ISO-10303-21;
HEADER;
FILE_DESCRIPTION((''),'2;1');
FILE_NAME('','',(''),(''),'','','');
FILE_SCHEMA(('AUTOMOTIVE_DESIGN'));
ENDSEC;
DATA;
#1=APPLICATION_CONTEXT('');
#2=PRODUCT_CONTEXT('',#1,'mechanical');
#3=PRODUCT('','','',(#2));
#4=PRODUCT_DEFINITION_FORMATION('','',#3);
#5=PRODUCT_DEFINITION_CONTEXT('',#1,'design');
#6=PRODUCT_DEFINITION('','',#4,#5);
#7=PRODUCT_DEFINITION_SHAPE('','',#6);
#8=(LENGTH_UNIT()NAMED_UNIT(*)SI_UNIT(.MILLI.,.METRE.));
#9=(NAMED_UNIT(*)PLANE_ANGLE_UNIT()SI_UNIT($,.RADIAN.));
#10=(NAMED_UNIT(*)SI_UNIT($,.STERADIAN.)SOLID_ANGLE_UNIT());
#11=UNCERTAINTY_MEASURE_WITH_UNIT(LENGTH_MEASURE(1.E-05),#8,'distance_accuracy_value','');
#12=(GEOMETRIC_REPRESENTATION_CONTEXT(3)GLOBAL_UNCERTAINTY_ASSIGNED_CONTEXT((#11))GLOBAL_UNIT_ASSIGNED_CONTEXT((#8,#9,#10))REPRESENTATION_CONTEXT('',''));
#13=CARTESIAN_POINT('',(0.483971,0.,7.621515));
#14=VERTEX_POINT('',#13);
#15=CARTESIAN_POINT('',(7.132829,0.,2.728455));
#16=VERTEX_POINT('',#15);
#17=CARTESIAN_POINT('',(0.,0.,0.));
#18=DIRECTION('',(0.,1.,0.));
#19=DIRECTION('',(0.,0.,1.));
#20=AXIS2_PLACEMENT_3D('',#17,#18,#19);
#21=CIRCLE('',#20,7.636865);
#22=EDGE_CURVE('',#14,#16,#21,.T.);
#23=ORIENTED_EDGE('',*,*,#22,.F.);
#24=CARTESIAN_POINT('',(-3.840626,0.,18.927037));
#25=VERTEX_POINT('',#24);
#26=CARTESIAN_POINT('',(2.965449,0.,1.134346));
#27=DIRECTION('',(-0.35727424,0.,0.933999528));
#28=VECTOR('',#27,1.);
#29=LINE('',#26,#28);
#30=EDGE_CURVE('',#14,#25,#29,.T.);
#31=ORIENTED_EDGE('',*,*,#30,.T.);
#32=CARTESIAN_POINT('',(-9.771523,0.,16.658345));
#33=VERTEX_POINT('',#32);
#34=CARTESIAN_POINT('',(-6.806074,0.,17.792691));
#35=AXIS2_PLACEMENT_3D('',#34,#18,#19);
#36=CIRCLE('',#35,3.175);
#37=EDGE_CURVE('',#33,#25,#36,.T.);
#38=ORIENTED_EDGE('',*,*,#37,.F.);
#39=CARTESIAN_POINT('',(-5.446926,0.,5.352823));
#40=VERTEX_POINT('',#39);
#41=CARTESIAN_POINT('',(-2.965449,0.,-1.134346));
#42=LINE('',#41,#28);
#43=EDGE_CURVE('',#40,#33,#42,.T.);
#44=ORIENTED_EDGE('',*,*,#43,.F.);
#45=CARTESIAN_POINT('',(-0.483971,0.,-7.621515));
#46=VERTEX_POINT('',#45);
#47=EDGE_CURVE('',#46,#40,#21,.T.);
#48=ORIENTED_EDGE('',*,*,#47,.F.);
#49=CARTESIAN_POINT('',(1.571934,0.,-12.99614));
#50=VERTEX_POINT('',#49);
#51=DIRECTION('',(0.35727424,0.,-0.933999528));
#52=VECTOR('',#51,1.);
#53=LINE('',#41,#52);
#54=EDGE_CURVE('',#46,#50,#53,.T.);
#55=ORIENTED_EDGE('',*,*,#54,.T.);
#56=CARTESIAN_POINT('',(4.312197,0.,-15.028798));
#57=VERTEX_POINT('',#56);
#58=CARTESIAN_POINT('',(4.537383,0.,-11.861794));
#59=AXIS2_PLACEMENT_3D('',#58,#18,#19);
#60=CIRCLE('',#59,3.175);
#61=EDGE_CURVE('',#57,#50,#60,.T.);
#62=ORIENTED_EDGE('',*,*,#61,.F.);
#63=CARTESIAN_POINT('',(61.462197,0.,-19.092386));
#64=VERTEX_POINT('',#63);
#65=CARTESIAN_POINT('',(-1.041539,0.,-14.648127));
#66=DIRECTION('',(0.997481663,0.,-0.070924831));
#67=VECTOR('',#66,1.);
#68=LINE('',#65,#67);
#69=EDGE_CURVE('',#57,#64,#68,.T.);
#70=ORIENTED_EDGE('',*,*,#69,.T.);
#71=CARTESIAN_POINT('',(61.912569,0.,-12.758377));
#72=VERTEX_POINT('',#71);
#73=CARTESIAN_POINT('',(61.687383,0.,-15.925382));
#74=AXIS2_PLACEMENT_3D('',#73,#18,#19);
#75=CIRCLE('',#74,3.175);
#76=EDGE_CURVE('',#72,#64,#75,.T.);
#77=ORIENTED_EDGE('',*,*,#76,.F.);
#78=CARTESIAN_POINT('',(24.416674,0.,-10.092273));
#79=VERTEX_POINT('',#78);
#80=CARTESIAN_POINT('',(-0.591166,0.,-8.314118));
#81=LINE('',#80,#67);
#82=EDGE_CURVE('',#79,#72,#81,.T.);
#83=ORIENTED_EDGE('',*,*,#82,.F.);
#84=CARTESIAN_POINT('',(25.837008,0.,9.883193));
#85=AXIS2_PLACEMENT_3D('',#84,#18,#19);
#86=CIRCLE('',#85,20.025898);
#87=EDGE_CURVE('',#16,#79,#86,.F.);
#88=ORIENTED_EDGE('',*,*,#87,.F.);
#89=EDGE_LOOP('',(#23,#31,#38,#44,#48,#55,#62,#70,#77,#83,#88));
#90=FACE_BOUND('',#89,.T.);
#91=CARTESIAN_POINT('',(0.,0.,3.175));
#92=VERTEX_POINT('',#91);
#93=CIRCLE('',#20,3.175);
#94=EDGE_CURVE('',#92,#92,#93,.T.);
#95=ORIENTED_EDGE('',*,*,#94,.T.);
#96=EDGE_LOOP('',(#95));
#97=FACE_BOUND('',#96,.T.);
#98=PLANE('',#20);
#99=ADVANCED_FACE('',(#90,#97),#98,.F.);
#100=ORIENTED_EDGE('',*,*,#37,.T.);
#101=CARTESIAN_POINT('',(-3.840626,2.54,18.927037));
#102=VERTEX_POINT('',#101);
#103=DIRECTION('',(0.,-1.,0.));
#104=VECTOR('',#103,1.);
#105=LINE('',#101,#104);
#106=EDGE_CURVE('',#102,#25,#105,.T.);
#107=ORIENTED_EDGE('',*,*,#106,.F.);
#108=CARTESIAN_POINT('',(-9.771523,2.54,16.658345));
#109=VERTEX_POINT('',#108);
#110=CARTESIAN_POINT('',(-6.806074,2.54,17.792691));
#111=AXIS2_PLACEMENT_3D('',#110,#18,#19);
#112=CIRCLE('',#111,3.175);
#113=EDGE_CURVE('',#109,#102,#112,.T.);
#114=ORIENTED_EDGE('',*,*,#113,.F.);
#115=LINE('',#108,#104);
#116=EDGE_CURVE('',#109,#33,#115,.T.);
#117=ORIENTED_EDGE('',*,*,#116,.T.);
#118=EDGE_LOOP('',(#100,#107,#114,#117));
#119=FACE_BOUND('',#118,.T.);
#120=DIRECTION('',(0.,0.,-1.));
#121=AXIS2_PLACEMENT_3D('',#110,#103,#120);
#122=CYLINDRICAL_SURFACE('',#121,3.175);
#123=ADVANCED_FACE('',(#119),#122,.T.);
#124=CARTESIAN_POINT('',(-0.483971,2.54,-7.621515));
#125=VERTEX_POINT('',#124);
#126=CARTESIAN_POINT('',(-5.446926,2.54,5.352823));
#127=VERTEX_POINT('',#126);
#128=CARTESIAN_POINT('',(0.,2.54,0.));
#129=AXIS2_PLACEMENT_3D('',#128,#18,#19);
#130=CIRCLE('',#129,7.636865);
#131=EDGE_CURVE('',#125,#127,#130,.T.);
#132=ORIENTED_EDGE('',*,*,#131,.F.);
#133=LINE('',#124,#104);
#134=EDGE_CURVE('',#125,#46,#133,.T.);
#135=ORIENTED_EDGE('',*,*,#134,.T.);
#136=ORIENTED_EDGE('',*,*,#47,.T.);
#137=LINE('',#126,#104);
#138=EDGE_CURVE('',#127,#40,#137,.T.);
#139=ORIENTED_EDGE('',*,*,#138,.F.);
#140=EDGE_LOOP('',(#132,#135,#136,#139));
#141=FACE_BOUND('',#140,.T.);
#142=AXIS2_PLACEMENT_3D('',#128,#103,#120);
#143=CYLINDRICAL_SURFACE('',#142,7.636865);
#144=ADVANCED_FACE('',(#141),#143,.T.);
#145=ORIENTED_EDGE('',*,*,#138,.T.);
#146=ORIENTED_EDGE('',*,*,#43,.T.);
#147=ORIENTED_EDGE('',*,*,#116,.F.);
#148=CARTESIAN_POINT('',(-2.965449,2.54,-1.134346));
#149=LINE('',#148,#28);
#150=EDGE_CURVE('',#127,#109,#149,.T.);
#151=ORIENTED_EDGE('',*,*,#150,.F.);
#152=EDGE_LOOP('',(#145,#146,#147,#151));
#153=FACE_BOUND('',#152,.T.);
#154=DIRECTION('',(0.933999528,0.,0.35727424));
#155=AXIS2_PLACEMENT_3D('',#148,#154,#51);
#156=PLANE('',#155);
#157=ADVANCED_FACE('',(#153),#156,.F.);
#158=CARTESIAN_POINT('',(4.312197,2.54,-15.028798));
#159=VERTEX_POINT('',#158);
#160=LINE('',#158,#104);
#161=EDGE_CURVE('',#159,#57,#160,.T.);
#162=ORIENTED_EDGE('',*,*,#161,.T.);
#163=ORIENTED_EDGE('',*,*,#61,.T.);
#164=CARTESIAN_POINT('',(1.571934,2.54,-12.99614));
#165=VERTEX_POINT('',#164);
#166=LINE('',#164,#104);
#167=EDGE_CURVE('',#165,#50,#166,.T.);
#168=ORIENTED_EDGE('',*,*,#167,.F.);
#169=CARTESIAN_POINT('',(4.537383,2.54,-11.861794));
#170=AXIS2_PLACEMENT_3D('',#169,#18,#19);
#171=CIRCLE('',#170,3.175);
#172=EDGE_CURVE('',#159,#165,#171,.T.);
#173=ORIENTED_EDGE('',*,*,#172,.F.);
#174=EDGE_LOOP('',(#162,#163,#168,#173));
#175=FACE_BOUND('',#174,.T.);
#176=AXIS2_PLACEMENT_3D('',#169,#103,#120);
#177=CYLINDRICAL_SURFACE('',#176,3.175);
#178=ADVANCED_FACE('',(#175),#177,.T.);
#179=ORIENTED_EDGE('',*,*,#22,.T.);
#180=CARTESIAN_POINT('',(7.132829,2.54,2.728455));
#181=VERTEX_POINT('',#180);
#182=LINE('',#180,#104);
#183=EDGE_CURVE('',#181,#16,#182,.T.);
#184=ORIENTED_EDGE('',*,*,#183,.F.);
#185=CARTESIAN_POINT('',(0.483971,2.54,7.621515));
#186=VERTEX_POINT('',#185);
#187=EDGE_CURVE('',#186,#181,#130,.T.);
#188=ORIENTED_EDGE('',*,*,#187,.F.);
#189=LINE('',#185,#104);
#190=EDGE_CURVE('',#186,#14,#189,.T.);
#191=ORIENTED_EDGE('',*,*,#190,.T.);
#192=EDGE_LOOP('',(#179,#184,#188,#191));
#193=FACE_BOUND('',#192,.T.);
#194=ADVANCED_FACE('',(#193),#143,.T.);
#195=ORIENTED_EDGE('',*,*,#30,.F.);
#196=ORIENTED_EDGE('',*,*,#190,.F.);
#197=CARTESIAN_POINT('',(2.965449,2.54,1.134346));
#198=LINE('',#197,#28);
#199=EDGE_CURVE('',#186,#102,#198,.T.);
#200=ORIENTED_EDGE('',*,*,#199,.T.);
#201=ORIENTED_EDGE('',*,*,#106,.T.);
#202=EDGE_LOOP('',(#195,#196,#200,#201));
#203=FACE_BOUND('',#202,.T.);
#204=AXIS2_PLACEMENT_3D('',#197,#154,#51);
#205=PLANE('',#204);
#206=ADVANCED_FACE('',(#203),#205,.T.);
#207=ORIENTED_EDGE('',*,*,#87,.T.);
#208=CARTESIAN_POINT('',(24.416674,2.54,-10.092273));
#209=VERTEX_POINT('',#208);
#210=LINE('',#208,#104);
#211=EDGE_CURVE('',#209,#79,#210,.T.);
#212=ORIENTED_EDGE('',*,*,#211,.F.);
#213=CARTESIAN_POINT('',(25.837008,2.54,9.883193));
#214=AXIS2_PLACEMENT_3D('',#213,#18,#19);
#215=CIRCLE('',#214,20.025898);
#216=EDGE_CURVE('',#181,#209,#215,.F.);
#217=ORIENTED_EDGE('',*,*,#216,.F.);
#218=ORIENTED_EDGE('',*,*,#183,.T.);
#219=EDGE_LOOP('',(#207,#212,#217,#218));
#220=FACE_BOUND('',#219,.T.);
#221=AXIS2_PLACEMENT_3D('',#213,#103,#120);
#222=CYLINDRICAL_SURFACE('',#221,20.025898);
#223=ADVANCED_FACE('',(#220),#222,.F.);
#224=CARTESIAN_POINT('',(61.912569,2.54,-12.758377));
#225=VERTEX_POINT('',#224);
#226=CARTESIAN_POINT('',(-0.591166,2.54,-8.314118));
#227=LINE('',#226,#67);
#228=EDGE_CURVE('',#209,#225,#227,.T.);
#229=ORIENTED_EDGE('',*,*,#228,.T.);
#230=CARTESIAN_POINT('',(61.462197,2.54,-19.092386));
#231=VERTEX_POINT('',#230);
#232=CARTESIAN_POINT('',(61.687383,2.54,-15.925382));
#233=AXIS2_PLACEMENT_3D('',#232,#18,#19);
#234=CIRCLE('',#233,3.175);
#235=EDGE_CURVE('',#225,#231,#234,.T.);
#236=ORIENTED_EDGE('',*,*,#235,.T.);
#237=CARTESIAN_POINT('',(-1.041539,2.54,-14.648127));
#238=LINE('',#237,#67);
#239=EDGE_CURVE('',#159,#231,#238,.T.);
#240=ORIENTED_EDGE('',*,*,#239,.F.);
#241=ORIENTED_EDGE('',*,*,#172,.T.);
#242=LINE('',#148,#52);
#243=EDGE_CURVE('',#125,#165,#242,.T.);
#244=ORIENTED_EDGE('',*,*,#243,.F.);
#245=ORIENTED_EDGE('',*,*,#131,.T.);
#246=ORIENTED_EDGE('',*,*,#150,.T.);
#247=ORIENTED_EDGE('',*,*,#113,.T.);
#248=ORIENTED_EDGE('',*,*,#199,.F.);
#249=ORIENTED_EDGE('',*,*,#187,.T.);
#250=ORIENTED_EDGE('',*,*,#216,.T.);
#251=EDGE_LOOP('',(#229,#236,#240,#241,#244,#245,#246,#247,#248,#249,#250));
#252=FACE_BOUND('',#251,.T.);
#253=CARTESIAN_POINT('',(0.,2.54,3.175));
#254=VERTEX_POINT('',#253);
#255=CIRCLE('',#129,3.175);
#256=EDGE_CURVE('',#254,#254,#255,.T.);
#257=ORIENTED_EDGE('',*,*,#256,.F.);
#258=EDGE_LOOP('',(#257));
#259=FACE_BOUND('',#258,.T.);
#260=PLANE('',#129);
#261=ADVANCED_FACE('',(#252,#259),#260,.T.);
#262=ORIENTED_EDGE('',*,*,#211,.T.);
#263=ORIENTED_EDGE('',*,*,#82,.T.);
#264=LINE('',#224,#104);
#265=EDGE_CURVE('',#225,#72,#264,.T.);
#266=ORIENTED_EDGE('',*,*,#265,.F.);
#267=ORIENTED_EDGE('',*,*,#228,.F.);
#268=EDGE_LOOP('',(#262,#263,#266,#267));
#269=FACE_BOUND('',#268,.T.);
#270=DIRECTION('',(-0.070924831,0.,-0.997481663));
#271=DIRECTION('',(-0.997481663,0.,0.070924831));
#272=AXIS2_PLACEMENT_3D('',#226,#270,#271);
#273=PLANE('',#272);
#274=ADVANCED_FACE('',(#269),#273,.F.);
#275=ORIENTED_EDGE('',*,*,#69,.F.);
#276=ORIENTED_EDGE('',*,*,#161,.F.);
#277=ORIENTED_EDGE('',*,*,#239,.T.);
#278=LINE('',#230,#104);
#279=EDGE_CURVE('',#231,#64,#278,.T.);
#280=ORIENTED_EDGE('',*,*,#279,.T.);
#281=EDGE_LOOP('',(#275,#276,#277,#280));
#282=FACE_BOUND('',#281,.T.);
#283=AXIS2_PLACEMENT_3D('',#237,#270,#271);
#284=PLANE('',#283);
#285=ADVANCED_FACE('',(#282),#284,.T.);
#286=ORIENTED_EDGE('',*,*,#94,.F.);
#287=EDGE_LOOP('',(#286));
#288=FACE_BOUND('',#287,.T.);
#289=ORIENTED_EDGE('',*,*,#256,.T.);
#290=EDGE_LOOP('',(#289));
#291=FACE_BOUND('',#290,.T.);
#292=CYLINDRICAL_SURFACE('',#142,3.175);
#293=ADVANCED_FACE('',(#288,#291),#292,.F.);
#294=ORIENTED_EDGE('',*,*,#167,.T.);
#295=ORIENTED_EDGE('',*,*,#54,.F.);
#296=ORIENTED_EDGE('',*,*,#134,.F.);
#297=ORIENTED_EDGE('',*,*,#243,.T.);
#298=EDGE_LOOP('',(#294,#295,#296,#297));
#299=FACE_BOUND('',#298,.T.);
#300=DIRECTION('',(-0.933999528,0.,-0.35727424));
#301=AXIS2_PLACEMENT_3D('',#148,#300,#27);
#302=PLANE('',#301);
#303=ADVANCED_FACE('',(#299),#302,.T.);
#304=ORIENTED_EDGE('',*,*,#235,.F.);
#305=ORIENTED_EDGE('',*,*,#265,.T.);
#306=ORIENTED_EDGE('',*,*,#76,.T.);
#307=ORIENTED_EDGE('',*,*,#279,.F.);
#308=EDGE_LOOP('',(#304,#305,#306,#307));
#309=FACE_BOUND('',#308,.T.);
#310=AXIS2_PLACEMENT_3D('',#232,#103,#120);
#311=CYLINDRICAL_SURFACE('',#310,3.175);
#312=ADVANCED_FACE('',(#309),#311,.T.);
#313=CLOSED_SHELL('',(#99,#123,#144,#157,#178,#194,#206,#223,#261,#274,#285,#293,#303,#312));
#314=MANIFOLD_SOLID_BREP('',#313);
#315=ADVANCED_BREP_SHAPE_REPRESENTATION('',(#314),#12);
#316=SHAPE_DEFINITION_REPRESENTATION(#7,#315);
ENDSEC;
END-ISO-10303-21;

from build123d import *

# Parameters (mm, degrees)
BOSS_EXTRUDE1_DEPTH = 2.54


with BuildPart() as part:
    # Sketch1 → Boss-Extrude1 (new body)
    with BuildSketch(Plane(origin=(0, 0, 0), x_dir=(1, 0, 0), z_dir=(0, 1, 0))):
        with BuildLine():
            Line((-5.44692552, -5.352823265), (-2.9654485, 1.134345711))
            Line((-2.9654485, 1.134345711), (-0.48397148, 7.621514688))
            ThreePointArc((-0.48397148, 7.621514688), (-7.132828761, 2.728455313), (-5.44692552, -5.352823265))
        make_face()
        with BuildLine():
            ThreePointArc((-2.9654485, 1.134345711), (1.134345711, 2.9654485), (2.9654485, -1.134345711))
            Line((2.9654485, -1.134345711), (5.44692552, 5.352823265))
            ThreePointArc((5.44692552, 5.352823265), (2.728455313, 7.132828761), (-0.48397148, 7.621514688))
            Line((-0.48397148, 7.621514688), (-2.9654485, 1.134345711))
        make_face()
        with BuildLine():
            Line((0.48397148, -7.621514688), (2.9654485, -1.134345711))
            ThreePointArc((2.9654485, -1.134345711), (-1.134345711, -2.9654485), (-2.9654485, 1.134345711))
            Line((-2.9654485, 1.134345711), (-5.44692552, -5.352823265))
            ThreePointArc((-5.44692552, -5.352823265), (-2.728455313, -7.132828761), (0.48397148, -7.621514688))
        make_face()
        with BuildLine():
            Line((5.44692552, 5.352823265), (2.9654485, -1.134345711))
            Line((2.9654485, -1.134345711), (0.48397148, -7.621514688))
            ThreePointArc((0.48397148, -7.621514688), (4.526523941, -6.150796334), (7.132828761, -2.728455313))
            ThreePointArc((7.132828761, -2.728455313), (7.50979921, -1.387310475), (7.636865491, 0))
            ThreePointArc((7.636865491, 0), (7.068208828, 2.891736243), (5.44692552, 5.352823265))
        make_face()
        with BuildLine():
            ThreePointArc((-0.48397148, 7.621514688), (2.728455313, 7.132828761), (5.44692552, 5.352823265))
            Line((5.44692552, 5.352823265), (6.780173427, 8.83824924))
            Line((6.780173427, 8.83824924), (4.762569184, 8.69478972))
            ThreePointArc((4.762569184, 8.69478972), (1.987351058, 9.970243609), (1.571934345, 12.996139712))
            Line((1.571934345, 12.996139712), (-0.48397148, 7.621514688))
        make_face()
        with BuildLine():
            Line((7.502831345, 10.727448289), (6.780173427, 8.83824924))
            Line((6.780173427, 8.83824924), (24.416674474, 10.092273154))
            Line((24.416674474, 10.092273154), (61.912569184, 12.758377306))
            ThreePointArc((61.912569184, 12.758377306), (64.854387126, 16.150567925), (61.462196506, 19.092385867))
            Line((61.462196506, 19.092385867), (4.312196506, 15.028798281))
            ThreePointArc((4.312196506, 15.028798281), (7.087414633, 13.753344392), (7.502831345, 10.727448289))
        make_face()
        with BuildLine():
            Line((6.780173427, 8.83824924), (5.44692552, 5.352823265))
            ThreePointArc((5.44692552, 5.352823265), (7.068208828, 2.891736243), (7.636865491, 0))
            ThreePointArc((7.636865491, 0), (7.50979921, -1.387310475), (7.132828761, -2.728455313))
            ThreePointArc((7.132828761, -2.728455313), (13.906300834, 6.200799727), (24.416674474, 10.092273154))
            Line((24.416674474, 10.092273154), (6.780173427, 8.83824924))
        make_face()
        with BuildLine():
            Line((4.762569184, 8.69478972), (6.780173427, 8.83824924))
            Line((6.780173427, 8.83824924), (7.502831345, 10.727448289))
            ThreePointArc((7.502831345, 10.727448289), (7.087414633, 13.753344392), (4.312196506, 15.028798281))
            ThreePointArc((4.312196506, 15.028798281), (2.645832454, 14.411825788), (1.571934345, 12.996139712))
            ThreePointArc((1.571934345, 12.996139712), (1.987351058, 9.970243609), (4.762569184, 8.69478972))
        make_face()
        with BuildLine():
            Line((-3.840625768, -18.927036712), (0.48397148, -7.621514688))
            ThreePointArc((0.48397148, -7.621514688), (-2.728455313, -7.132828761), (-5.44692552, -5.352823265))
            Line((-5.44692552, -5.352823265), (-9.771522768, -16.65834529))
            ThreePointArc((-9.771522768, -16.65834529), (-7.940419979, -20.758139501), (-3.840625768, -18.927036712))
        make_face()
    extrude(amount=BOSS_EXTRUDE1_DEPTH)


solid = part.part
